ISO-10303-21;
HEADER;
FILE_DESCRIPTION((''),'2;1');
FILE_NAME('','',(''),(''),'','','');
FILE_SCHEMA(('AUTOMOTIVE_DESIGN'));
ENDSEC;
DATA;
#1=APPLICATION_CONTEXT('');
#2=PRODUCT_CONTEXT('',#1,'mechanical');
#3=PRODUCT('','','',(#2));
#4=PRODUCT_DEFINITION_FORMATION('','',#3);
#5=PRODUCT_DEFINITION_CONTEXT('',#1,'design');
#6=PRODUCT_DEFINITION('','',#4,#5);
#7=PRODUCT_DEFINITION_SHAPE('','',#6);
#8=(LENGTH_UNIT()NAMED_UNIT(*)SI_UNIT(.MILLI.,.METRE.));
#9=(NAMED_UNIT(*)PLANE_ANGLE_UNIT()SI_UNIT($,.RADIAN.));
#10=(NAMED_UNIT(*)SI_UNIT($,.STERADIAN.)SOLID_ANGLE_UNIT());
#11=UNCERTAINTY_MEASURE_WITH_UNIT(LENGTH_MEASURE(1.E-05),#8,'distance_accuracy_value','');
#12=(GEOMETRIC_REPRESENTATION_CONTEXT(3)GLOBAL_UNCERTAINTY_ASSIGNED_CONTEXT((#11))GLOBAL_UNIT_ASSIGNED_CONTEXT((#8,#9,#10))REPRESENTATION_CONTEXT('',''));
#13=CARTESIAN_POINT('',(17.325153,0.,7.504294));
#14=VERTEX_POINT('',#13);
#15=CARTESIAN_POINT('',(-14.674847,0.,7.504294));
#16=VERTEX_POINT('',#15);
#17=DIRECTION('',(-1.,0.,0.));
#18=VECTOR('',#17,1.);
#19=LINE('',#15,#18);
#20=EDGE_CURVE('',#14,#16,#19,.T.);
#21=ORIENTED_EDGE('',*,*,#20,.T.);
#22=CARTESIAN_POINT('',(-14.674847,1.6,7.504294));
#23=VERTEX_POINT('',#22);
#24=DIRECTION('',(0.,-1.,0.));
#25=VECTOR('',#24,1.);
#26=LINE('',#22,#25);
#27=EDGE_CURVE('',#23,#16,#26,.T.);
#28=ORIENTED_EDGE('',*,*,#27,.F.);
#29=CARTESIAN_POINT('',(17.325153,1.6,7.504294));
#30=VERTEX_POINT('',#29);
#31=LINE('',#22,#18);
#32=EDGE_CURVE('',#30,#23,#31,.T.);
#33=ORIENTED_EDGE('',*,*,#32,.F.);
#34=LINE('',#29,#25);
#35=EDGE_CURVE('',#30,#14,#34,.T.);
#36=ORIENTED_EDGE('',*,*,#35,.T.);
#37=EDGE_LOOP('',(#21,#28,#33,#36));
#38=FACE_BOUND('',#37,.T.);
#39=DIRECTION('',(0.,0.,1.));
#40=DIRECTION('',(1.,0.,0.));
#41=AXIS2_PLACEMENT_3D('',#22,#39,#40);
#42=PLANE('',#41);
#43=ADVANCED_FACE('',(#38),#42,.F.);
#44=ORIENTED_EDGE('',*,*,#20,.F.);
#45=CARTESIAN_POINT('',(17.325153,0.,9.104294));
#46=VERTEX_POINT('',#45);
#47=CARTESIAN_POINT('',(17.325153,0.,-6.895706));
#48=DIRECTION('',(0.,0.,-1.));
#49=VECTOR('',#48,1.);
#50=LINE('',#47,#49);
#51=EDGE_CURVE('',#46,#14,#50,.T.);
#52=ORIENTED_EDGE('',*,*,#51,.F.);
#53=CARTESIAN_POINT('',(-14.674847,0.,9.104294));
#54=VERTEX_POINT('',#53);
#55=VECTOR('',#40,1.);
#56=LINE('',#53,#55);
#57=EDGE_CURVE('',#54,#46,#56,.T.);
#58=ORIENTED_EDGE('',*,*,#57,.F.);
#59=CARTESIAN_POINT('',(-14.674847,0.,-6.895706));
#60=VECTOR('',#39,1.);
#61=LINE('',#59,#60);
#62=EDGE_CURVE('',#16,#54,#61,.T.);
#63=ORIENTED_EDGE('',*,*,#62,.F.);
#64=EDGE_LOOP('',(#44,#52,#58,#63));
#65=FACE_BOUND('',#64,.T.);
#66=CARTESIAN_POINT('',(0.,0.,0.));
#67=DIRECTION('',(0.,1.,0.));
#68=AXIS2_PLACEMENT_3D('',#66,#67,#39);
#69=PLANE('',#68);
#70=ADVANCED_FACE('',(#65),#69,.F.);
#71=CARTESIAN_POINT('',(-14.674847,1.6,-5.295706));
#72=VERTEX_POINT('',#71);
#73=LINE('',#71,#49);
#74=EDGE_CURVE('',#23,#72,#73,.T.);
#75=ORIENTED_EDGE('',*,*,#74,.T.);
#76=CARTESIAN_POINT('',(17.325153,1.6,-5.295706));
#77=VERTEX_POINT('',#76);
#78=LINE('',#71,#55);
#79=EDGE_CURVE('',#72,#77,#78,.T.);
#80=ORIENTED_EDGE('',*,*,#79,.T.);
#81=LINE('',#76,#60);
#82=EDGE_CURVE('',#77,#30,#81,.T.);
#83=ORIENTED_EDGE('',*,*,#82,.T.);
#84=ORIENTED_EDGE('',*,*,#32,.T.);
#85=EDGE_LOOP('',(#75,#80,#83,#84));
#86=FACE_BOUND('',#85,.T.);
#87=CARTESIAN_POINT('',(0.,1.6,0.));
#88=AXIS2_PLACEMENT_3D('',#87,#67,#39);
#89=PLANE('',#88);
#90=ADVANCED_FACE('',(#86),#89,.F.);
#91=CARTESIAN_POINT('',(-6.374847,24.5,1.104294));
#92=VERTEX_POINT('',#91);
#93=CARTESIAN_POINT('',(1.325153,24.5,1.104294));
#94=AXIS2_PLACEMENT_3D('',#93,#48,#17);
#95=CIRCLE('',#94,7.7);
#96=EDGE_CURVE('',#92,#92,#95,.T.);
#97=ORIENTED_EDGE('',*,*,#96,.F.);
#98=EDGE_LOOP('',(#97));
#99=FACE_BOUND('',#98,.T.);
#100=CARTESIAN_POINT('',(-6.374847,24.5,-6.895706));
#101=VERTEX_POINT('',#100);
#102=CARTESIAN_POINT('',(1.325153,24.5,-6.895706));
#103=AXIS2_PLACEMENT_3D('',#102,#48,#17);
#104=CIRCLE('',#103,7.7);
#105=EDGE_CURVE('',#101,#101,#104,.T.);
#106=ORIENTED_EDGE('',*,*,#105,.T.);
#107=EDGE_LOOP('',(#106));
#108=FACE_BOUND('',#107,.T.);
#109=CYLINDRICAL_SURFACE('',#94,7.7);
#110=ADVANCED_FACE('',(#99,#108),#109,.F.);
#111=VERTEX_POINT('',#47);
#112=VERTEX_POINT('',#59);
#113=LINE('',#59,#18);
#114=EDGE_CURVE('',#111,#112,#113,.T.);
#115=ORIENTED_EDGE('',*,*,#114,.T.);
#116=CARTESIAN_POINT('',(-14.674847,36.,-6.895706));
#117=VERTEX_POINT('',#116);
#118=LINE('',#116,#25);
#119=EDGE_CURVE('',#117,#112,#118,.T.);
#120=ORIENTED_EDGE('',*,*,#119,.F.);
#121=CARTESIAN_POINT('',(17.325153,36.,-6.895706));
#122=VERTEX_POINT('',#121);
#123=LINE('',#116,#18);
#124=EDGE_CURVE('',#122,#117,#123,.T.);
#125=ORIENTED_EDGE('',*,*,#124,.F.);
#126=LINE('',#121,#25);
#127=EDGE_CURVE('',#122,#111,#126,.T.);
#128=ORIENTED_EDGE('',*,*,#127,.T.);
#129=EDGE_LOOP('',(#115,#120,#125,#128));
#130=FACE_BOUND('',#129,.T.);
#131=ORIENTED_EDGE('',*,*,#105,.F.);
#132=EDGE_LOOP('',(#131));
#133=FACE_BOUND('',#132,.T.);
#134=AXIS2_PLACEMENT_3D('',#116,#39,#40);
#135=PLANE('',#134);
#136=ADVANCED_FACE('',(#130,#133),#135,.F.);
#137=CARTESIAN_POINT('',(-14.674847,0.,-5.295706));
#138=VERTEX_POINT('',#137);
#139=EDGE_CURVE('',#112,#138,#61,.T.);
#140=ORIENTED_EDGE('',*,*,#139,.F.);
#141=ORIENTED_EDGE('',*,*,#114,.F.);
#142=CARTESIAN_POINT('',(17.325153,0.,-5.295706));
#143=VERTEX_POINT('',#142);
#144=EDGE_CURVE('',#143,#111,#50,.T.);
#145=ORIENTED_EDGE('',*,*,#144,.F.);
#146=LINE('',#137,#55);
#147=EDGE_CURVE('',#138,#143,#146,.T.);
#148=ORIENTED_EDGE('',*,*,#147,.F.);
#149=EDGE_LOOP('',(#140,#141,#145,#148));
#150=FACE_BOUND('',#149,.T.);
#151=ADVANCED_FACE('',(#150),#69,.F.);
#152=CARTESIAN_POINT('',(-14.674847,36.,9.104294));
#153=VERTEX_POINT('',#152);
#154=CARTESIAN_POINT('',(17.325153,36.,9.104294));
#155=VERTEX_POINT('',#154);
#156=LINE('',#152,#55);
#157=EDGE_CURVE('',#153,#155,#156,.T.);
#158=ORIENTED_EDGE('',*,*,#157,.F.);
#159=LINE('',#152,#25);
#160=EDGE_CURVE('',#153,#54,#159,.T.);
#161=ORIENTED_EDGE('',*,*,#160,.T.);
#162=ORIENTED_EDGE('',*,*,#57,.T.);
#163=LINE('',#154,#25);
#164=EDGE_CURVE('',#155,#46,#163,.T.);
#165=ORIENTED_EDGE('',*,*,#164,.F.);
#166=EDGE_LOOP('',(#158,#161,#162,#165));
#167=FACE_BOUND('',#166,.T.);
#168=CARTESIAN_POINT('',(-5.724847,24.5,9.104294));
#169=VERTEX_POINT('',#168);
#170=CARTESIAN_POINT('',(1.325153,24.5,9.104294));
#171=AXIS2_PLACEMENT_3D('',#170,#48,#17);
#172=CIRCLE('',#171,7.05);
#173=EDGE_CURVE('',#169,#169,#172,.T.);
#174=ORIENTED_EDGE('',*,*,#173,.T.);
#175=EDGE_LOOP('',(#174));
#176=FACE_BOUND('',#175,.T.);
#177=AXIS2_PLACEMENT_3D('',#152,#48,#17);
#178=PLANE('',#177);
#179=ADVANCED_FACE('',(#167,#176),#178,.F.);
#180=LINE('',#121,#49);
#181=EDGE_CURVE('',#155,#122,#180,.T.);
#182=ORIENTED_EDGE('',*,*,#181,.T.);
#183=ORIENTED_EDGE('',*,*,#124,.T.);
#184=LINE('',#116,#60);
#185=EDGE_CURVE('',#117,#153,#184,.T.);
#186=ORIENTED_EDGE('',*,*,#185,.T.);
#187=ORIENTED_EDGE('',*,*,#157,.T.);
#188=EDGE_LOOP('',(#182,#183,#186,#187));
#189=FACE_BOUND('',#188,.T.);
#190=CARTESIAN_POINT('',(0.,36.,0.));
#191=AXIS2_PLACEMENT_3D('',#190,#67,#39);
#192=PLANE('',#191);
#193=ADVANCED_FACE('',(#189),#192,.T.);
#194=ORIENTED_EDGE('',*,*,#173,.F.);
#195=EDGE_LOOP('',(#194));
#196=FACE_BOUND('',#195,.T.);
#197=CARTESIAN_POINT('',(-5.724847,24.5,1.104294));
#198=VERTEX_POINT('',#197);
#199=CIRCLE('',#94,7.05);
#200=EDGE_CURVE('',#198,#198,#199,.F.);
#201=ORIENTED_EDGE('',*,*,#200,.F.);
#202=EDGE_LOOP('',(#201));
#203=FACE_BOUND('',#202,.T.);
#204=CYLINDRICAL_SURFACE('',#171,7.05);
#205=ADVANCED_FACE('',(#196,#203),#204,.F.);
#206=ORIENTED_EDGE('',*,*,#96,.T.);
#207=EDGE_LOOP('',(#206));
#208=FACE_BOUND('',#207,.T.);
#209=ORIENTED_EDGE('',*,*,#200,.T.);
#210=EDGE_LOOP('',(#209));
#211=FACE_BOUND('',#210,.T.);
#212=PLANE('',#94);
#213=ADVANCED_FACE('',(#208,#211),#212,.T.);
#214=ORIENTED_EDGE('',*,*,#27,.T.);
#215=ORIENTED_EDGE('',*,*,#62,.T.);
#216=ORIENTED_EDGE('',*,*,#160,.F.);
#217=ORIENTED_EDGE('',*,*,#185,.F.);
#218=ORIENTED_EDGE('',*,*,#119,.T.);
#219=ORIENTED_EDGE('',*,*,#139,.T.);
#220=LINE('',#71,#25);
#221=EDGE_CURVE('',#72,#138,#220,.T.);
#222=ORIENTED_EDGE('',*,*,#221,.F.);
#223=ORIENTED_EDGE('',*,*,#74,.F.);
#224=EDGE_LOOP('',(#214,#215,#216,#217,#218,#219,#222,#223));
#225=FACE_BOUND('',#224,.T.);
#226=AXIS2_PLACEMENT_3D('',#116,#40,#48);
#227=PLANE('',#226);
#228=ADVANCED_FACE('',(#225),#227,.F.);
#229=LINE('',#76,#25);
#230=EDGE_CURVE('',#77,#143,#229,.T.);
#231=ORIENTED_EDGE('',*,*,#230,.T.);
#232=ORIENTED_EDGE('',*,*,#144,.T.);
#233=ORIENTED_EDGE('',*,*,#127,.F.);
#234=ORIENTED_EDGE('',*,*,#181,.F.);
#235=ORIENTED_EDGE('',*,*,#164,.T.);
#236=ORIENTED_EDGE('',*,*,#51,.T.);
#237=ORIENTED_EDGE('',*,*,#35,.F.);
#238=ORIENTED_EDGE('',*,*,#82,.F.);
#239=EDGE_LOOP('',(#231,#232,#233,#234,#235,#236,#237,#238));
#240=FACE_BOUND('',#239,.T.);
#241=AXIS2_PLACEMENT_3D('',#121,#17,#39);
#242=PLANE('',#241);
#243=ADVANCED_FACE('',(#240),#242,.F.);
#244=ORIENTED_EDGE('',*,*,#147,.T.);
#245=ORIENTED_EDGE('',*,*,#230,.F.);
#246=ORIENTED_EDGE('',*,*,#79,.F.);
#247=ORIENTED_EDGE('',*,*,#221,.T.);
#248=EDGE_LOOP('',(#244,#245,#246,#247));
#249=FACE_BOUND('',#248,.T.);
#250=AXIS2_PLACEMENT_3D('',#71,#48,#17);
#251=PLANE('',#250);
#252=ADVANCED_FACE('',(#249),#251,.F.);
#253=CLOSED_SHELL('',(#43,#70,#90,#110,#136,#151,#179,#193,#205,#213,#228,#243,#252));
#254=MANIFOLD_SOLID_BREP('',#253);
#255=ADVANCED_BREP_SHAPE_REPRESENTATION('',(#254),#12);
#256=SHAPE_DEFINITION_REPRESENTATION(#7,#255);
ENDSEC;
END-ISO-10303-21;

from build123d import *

# Parameters (mm, degrees)
SKETCH1_W           = 32
SKETCH1_H           = 16
BOSS_EXTRUDE1_DEPTH = 36
SKETCH2_W           = 32
SKETCH2_H           = 12.8
CUT_EXTRUDE1_DEPTH  = 1.6
SKETCH3_R           = 7.05
CUT_EXTRUDE2_DEPTH  = 44.036739415
SKETCH4_R           = 7.7
CUT_EXTRUDE3_DEPTH  = 8


with BuildPart() as part:
    # Sketch1 → Boss-Extrude1 (new body)
    with BuildSketch(Plane(origin=(0, 0, 0), x_dir=(1, 0, 0), z_dir=(0, 1, 0))):
        with Locations((1.325153374, -1.104294479)):
            Rectangle(SKETCH1_W, SKETCH1_H)
    extrude(amount=BOSS_EXTRUDE1_DEPTH)

    # Sketch2 → Cut-Extrude1 (cut)
    with BuildSketch(Plane(origin=(0, 0, 0), x_dir=(-1, 0, 0), z_dir=(0, -1, 0))):
        with Locations((-1.325153374, -1.104294479)):
            Rectangle(SKETCH2_W, SKETCH2_H)
    extrude(amount=-CUT_EXTRUDE1_DEPTH, mode=Mode.SUBTRACT)

    # Sketch3 → Cut-Extrude2 (cut, through all)
    with BuildSketch(Plane(origin=(0, 0, -6.895705521), x_dir=(-1, 0, 0), z_dir=(0, 0, -1))):
        with Locations((-1.325153374, 24.5)):
            Circle(SKETCH3_R)
    extrude(amount=-CUT_EXTRUDE2_DEPTH, mode=Mode.SUBTRACT)

    # Sketch4 → Cut-Extrude3 (cut)
    with BuildSketch(Plane(origin=(0, 0, -6.895705521), x_dir=(-1, 0, 0), z_dir=(0, 0, -1))):
        with Locations((-1.325153374, 24.5)):
            Circle(SKETCH4_R)
    extrude(amount=-CUT_EXTRUDE3_DEPTH, mode=Mode.SUBTRACT)


solid = part.part
